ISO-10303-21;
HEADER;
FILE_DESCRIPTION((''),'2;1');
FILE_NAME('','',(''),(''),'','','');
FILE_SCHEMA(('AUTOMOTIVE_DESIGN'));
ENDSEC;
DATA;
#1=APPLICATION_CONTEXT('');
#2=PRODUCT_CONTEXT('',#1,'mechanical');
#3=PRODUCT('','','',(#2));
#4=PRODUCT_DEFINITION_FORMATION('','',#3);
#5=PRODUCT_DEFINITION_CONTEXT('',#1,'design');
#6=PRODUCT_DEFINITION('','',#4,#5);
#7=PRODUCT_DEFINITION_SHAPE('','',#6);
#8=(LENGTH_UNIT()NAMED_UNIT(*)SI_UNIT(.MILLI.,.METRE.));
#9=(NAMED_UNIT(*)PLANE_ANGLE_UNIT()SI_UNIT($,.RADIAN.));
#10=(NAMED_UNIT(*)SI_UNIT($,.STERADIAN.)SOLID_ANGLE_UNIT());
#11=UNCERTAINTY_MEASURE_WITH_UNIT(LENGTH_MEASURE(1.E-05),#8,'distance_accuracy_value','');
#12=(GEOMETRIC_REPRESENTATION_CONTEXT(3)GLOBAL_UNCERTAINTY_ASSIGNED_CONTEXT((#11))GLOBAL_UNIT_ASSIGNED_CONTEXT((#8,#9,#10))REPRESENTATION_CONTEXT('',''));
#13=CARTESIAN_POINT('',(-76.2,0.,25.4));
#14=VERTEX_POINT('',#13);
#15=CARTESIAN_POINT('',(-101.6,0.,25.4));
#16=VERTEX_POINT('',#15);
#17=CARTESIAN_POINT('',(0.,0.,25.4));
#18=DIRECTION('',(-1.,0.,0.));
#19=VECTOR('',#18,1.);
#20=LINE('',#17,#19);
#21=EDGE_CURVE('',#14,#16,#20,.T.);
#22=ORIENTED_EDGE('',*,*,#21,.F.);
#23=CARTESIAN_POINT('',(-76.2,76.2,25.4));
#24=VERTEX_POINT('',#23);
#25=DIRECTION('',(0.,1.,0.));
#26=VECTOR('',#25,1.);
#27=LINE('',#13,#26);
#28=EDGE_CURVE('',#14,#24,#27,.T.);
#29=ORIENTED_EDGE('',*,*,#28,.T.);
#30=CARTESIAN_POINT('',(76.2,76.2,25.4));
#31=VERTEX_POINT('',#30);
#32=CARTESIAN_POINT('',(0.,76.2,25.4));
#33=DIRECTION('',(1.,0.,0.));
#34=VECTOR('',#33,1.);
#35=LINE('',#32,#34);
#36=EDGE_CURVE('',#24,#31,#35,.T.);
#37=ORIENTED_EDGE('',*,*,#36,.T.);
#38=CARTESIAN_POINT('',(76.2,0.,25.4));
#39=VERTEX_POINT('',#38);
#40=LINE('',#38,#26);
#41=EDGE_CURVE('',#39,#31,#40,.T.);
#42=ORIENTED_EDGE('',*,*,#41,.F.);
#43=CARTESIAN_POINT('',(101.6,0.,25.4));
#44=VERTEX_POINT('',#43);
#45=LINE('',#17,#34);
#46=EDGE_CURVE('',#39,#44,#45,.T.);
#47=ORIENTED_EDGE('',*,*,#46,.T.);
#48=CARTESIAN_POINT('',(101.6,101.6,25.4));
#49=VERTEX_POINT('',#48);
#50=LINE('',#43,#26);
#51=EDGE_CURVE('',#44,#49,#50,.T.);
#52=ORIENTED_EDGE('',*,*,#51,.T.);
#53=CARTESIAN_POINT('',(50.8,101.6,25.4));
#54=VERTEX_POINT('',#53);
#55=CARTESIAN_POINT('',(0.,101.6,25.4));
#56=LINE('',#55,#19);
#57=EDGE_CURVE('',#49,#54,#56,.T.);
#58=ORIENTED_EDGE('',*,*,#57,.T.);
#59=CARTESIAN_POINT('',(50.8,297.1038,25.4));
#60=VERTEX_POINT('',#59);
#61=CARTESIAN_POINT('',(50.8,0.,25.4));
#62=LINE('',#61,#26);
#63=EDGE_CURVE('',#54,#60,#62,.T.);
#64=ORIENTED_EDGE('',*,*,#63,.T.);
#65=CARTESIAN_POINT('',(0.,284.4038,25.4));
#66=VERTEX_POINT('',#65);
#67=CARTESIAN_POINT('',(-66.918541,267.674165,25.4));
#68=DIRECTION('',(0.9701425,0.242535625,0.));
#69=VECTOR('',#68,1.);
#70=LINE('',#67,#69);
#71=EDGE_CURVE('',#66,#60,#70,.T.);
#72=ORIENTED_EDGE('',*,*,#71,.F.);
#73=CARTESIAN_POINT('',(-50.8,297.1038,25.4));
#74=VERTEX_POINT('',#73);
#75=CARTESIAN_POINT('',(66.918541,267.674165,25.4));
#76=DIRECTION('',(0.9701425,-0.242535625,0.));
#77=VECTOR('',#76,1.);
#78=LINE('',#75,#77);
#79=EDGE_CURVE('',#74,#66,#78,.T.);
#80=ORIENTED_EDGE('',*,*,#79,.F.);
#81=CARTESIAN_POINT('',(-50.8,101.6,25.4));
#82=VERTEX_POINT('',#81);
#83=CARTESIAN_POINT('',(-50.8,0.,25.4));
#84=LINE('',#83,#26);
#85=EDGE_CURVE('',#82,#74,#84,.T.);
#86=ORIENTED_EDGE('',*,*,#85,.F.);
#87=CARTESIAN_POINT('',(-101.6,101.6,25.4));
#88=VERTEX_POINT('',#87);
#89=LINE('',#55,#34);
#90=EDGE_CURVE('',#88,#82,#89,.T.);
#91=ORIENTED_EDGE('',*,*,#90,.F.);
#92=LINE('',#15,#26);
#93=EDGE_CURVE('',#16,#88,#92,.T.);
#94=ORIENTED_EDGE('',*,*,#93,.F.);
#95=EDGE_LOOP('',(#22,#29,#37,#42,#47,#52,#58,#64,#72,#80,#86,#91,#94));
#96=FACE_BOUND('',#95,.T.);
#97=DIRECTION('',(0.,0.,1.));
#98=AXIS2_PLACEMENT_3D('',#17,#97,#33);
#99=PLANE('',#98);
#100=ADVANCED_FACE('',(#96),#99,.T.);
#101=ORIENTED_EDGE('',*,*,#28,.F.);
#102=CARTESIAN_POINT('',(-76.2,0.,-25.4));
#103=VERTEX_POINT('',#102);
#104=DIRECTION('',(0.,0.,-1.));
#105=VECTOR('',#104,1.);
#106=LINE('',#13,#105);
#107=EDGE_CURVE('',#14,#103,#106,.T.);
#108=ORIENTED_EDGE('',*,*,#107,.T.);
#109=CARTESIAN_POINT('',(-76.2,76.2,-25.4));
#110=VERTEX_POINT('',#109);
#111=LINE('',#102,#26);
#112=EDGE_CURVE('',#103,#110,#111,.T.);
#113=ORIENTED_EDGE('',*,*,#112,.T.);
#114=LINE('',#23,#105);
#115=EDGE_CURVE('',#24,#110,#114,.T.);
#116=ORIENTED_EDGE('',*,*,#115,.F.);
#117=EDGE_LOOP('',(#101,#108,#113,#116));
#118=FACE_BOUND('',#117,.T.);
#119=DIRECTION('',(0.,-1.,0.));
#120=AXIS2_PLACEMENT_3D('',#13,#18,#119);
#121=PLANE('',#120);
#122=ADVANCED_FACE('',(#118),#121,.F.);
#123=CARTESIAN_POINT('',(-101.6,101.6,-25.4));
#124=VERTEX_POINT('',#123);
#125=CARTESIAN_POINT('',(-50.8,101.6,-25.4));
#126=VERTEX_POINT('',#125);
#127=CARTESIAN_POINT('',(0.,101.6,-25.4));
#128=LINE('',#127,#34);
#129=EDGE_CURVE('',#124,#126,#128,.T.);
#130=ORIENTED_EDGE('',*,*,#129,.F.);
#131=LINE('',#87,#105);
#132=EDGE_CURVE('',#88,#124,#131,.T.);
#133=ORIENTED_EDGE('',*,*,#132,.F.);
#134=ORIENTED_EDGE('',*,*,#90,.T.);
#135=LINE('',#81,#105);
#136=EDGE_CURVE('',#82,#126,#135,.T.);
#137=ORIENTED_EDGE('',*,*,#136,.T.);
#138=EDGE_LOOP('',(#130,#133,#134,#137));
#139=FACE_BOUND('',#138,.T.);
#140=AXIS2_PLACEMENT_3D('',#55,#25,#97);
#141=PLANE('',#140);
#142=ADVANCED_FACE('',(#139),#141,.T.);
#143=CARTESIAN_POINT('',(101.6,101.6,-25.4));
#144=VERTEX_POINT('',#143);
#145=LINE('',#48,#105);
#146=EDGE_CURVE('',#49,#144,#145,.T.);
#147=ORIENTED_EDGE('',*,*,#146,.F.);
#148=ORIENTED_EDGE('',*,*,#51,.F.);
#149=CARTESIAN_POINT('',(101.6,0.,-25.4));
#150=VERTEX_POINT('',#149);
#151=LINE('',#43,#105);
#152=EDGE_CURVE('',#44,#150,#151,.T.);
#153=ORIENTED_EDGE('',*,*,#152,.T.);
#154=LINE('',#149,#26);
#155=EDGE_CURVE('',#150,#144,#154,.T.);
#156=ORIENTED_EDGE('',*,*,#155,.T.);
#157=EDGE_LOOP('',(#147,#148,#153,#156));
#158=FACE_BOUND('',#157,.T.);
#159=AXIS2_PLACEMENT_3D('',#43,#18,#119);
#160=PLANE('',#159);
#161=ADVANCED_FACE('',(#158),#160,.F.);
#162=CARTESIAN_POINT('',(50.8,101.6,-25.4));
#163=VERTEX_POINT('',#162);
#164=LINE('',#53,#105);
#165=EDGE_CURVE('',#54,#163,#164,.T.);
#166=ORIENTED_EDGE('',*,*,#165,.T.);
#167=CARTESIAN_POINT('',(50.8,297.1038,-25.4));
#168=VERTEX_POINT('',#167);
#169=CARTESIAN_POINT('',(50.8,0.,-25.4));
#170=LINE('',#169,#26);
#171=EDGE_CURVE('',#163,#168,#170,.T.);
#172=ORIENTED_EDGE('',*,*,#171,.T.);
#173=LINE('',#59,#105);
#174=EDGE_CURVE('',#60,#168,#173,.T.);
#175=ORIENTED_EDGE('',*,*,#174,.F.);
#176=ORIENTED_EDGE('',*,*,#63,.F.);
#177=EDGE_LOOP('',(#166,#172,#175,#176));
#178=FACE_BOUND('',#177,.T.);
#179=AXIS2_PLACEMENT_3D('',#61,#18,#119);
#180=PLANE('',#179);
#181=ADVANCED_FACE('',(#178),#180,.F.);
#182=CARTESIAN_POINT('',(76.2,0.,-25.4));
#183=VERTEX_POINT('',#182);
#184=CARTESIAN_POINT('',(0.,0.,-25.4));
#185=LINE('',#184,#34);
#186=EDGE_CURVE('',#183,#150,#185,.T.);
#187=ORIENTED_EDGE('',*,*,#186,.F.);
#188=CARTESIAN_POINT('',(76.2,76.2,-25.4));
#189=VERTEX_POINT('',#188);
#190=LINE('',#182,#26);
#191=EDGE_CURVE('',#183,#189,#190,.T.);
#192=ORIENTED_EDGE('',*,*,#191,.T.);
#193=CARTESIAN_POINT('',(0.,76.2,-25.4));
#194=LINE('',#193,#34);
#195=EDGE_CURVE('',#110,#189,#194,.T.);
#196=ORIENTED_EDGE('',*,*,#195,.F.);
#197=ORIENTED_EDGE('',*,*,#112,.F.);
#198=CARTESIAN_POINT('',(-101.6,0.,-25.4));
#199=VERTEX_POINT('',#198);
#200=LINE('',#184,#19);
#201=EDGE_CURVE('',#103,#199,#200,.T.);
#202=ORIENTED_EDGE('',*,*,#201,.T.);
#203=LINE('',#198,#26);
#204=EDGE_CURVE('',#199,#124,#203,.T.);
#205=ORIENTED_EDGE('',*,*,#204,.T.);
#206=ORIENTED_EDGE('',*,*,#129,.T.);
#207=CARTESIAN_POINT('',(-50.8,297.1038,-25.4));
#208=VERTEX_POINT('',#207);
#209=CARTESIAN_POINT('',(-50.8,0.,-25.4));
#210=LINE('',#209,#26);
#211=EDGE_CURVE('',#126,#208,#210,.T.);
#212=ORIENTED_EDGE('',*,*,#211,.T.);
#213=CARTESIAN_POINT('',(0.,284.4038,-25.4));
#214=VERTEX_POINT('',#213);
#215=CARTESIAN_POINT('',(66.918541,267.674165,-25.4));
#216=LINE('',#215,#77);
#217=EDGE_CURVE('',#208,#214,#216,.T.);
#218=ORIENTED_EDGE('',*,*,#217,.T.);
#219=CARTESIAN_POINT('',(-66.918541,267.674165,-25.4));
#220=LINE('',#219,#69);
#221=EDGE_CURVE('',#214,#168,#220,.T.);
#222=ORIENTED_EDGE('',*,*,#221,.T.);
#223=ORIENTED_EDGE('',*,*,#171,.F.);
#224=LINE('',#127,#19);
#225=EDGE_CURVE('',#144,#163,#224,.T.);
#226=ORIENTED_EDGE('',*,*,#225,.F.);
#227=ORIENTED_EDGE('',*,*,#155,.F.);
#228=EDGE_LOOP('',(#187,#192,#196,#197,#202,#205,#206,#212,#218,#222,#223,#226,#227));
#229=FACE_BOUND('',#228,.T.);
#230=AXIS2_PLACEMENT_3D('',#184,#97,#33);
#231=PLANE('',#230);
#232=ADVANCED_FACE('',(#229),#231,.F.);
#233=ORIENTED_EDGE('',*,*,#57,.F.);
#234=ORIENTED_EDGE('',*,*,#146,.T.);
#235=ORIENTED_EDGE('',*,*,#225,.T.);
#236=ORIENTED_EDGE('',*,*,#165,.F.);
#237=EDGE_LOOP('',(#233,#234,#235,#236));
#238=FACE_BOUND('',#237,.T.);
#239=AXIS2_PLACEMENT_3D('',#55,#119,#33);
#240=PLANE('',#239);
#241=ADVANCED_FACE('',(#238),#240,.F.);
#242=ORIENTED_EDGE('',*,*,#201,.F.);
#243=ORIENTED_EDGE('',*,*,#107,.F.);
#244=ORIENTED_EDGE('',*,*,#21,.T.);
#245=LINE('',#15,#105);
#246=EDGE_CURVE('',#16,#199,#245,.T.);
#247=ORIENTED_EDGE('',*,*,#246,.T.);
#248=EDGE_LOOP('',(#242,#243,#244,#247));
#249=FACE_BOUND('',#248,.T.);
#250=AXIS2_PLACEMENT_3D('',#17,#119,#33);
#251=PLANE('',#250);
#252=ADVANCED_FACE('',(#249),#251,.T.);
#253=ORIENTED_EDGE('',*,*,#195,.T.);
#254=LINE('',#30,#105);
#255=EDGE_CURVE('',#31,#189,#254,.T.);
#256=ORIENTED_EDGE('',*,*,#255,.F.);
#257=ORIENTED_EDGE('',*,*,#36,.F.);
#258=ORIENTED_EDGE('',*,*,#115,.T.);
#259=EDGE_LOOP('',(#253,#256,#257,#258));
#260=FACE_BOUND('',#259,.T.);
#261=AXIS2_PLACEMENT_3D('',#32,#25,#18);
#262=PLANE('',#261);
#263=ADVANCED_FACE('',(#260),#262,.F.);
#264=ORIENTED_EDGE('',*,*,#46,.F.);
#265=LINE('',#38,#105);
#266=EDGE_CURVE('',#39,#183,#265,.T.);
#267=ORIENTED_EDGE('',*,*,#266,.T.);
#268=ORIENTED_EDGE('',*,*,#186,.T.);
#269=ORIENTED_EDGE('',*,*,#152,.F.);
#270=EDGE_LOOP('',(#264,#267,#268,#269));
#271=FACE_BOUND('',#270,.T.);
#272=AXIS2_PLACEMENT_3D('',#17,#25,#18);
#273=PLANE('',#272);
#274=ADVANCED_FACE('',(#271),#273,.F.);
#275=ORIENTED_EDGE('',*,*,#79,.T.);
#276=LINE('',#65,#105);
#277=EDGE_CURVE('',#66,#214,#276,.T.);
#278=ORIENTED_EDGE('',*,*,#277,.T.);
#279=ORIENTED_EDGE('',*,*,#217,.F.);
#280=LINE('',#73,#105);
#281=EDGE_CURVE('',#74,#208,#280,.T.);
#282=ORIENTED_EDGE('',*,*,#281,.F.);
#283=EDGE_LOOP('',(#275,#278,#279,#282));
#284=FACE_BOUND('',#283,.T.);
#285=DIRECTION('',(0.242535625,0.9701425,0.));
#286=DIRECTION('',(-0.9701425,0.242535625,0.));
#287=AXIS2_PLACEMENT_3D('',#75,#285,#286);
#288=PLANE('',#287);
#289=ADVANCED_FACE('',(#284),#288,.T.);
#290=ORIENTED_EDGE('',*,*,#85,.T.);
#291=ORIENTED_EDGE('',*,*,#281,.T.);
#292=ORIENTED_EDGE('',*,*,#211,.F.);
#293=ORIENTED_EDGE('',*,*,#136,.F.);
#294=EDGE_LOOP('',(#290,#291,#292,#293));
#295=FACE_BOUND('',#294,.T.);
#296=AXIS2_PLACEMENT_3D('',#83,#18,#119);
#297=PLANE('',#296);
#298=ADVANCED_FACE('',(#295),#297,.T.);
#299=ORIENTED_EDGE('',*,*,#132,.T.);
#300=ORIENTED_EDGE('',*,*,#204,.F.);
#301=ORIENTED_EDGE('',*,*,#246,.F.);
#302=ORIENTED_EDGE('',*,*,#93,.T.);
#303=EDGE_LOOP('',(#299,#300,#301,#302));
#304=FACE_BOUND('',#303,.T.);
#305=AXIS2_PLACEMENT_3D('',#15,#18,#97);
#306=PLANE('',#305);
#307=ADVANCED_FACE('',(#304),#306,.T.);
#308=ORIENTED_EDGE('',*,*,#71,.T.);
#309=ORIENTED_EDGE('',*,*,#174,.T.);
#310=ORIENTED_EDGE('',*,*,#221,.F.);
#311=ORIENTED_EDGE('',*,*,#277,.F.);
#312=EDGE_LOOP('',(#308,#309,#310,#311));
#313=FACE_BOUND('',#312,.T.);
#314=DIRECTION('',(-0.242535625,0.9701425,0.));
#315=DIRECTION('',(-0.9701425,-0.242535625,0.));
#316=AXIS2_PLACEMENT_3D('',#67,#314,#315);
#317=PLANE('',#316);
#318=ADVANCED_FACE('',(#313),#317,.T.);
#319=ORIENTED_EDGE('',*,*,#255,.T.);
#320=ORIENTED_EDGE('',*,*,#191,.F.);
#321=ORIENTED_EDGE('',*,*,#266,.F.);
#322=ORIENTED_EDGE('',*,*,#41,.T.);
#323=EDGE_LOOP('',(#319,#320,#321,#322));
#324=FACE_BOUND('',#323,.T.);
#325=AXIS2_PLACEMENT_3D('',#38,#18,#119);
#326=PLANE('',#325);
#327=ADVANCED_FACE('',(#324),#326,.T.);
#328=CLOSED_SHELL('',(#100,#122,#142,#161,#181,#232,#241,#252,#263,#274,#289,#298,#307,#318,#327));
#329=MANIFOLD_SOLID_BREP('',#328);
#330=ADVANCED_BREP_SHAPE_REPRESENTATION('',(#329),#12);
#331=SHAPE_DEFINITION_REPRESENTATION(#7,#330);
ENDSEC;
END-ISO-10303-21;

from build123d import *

# Parameters (mm, degrees)
BOSS_EXTRUDE1_DEPTH = 25.4


with BuildPart() as part:
    # Sketch1 → Boss-Extrude1 (new body, symmetric)
    with BuildSketch(Plane.XY):
        Polygon((0, 284.4038), (-50.8, 297.1038), (-50.8, 101.6), (-101.6, 101.6), (-101.6, 0), (-76.2, 0), (-76.2, 76.2), (0, 76.2), (76.2, 76.2), (76.2, 0), (101.6, 0), (101.6, 101.6), (50.8, 101.6), (50.8, 297.1038), align=None)
    extrude(amount=BOSS_EXTRUDE1_DEPTH, both=True)


solid = part.part
